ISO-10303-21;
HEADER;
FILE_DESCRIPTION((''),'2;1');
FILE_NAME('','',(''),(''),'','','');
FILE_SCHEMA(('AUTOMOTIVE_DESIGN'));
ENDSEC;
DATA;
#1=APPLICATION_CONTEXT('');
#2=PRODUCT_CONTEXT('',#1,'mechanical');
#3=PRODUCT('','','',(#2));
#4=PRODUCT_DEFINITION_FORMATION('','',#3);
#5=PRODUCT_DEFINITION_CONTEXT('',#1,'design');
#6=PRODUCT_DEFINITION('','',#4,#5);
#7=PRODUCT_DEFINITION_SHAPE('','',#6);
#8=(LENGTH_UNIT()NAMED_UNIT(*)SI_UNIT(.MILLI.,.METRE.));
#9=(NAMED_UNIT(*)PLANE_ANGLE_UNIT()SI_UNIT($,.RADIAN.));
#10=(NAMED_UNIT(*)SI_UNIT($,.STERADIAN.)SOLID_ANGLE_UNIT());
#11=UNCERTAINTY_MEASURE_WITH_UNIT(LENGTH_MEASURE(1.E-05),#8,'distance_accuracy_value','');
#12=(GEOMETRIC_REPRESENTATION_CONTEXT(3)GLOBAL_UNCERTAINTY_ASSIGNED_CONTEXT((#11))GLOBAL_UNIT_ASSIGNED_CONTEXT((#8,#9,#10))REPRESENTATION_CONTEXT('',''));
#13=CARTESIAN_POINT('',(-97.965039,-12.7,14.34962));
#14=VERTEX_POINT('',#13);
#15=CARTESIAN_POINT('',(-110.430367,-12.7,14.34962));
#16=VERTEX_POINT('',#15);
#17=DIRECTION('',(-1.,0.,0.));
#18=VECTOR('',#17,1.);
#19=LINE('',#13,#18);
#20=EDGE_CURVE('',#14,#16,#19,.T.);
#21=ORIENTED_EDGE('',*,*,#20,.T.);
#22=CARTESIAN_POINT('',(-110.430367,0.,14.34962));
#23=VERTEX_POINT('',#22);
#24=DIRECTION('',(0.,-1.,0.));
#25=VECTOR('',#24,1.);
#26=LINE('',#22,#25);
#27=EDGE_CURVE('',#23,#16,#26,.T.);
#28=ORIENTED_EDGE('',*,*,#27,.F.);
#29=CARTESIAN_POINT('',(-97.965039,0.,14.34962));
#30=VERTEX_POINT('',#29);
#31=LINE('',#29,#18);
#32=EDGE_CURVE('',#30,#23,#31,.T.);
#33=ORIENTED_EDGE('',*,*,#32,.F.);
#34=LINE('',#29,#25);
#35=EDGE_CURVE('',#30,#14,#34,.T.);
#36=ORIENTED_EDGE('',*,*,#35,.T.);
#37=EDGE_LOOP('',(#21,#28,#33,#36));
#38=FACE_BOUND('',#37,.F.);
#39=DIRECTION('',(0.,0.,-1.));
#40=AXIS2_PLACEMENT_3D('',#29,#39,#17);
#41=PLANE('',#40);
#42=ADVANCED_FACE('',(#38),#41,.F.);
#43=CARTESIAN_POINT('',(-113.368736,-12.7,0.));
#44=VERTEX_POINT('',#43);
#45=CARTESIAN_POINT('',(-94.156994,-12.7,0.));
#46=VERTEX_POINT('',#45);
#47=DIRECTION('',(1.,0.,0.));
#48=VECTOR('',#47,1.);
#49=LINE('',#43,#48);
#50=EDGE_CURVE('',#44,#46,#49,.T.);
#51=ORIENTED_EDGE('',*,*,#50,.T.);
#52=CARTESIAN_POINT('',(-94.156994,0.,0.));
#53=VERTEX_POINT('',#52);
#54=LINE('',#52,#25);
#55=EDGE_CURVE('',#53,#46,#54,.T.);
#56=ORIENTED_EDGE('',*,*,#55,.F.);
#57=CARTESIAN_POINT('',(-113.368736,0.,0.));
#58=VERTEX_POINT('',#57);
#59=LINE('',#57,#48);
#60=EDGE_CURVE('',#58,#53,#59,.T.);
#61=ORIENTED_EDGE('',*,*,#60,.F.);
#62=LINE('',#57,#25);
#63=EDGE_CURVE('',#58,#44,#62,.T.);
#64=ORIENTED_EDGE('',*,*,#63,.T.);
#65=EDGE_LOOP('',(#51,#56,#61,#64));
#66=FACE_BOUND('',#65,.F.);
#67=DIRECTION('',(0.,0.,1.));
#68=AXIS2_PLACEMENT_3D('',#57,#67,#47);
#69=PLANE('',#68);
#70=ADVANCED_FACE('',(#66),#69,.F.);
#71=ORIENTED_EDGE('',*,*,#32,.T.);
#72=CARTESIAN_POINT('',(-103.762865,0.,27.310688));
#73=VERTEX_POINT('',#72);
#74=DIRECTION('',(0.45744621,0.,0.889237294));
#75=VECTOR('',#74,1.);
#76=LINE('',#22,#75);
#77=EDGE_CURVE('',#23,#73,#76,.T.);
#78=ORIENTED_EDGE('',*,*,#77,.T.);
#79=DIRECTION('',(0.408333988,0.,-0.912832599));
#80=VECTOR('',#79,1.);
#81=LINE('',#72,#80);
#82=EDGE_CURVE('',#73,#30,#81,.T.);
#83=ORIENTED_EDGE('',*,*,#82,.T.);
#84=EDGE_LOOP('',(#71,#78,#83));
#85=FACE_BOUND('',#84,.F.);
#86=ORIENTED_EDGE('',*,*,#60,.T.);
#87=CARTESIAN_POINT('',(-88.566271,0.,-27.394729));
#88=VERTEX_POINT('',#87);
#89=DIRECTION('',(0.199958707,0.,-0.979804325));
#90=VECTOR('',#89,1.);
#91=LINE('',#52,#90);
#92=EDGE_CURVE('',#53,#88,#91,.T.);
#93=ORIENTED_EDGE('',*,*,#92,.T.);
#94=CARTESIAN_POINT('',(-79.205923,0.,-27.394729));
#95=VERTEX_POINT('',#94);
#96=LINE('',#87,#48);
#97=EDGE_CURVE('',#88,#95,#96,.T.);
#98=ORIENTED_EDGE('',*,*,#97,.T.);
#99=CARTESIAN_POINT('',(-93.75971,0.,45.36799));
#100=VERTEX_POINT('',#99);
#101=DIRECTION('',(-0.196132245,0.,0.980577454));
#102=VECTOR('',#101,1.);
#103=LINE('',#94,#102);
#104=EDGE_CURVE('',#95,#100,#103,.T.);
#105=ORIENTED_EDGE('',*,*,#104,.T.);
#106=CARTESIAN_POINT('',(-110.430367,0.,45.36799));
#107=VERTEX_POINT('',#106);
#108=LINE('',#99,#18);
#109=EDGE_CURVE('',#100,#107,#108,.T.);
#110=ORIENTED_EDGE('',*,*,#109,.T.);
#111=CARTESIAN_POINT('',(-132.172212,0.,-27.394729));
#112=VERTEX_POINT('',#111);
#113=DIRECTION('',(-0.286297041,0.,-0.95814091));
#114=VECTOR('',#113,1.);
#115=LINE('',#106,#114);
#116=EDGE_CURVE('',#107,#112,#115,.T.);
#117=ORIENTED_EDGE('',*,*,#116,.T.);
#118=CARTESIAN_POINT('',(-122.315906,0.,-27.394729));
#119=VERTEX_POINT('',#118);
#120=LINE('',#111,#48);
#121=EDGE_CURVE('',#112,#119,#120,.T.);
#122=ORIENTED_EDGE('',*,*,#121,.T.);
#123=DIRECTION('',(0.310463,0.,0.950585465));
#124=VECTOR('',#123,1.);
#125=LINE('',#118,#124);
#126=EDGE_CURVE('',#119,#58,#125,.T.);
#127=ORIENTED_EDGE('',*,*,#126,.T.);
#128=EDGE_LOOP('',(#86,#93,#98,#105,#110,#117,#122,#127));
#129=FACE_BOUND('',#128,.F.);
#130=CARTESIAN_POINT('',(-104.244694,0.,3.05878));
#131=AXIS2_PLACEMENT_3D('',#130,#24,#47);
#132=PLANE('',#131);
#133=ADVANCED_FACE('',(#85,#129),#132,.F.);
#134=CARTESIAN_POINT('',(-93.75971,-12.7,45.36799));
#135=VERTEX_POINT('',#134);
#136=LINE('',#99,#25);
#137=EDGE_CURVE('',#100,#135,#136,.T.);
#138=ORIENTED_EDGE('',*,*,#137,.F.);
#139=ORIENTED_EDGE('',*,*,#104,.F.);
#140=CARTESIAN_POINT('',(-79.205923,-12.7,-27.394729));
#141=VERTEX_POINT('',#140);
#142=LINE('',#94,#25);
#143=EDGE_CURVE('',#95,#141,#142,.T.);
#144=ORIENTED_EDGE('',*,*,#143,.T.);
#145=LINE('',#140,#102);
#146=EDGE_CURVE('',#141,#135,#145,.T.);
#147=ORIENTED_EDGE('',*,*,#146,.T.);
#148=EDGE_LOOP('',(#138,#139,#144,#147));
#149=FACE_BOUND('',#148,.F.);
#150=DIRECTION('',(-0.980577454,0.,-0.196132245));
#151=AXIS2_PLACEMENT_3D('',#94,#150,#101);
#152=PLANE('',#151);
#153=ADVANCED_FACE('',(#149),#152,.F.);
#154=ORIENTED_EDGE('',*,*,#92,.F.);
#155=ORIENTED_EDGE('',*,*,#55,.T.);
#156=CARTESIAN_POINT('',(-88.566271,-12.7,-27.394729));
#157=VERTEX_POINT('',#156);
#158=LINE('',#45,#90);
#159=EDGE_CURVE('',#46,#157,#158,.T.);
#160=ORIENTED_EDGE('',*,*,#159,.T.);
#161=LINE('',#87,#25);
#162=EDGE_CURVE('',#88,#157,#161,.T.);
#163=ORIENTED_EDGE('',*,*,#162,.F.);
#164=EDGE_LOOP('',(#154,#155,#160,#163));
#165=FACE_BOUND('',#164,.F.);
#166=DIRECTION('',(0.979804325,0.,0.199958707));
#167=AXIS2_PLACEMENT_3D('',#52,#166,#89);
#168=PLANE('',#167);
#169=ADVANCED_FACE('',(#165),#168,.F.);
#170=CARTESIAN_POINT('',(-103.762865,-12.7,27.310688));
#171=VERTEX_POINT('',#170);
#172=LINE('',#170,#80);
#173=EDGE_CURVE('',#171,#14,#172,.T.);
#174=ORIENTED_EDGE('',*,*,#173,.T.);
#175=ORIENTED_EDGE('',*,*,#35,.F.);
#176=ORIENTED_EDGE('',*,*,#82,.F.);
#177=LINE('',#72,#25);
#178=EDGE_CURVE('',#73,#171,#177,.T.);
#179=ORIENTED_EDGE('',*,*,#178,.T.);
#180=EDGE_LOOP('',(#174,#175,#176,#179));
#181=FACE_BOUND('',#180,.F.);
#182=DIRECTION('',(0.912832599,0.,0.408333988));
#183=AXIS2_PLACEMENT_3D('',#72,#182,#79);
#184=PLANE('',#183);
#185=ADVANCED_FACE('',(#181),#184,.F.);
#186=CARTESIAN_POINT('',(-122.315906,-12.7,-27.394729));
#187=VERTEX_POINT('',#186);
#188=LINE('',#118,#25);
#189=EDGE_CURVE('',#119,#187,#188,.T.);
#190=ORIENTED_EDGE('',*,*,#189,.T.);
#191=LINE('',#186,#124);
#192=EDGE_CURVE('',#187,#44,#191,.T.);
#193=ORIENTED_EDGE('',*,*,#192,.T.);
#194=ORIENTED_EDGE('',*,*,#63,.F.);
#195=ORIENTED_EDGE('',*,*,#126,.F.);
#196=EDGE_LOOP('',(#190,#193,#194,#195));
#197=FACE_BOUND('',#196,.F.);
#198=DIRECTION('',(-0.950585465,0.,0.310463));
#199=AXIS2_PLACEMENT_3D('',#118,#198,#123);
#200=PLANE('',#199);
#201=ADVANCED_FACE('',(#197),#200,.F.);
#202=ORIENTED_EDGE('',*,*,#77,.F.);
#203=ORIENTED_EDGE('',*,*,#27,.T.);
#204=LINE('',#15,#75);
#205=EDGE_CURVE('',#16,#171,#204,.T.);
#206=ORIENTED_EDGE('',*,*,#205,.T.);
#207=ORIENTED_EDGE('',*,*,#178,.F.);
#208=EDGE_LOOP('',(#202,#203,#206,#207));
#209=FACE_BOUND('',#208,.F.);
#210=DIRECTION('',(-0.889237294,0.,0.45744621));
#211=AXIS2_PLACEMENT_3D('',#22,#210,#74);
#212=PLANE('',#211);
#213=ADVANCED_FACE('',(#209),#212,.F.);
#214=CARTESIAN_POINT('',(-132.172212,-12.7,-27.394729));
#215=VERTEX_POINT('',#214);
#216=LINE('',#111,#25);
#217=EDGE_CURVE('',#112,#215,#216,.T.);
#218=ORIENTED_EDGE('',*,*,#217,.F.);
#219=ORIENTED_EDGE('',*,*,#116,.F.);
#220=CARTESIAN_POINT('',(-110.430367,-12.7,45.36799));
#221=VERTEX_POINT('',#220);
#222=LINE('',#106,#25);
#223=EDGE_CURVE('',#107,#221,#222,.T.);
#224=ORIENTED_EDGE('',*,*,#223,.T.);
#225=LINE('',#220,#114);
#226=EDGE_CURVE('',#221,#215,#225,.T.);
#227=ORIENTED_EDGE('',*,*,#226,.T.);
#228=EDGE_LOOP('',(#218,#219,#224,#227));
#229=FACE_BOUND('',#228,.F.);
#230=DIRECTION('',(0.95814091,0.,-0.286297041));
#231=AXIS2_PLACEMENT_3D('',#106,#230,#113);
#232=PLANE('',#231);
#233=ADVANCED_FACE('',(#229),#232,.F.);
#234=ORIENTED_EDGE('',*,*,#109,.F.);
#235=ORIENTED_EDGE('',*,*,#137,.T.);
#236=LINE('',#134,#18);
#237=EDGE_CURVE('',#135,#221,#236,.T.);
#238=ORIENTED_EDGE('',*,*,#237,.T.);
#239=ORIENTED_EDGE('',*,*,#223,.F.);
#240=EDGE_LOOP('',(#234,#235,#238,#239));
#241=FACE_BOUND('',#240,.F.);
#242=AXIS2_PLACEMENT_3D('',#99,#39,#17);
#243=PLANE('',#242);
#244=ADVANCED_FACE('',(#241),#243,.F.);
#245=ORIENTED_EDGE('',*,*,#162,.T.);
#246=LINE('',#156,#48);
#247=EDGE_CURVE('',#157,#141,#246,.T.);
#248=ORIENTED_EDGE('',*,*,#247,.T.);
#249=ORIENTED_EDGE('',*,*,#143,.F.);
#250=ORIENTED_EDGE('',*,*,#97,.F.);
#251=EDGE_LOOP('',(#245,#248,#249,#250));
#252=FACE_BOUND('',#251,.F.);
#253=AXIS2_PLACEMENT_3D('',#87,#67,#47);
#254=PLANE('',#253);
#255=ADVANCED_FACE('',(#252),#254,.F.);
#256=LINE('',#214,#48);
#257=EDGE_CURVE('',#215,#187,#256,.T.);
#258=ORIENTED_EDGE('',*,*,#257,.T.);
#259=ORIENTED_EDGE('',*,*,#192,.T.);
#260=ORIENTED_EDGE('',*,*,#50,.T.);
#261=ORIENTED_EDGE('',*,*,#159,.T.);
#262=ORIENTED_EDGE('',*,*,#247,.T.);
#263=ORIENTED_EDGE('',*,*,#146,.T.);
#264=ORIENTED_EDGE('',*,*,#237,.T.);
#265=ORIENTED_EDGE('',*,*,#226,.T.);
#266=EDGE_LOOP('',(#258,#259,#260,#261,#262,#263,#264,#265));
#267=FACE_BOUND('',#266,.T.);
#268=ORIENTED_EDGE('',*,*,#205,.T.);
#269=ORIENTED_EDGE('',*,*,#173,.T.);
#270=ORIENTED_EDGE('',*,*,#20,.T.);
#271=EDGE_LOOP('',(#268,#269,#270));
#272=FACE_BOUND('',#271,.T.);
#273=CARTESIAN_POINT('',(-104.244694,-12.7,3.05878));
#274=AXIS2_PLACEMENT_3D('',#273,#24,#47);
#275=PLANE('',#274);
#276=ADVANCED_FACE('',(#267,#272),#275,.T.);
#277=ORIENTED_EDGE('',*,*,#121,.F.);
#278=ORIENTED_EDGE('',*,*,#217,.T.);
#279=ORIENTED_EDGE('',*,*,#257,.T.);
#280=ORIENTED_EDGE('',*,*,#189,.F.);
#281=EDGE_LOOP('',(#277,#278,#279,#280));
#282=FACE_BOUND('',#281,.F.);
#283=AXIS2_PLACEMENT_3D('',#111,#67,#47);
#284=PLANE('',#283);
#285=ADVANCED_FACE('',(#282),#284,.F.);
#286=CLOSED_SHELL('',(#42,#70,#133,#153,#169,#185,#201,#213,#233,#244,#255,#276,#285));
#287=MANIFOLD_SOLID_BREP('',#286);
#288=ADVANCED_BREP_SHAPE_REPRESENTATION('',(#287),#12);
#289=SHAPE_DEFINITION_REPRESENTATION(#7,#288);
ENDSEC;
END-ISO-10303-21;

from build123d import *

# Parameters (mm, degrees)
F1_DEPTH = 12.7


with BuildPart() as f1:
    # F0 (on Front) → F1 (new body)
    with BuildSketch(Plane.XZ):
        Polygon((-110.430367, 45.36799), (-132.172212, -27.394729), (-122.315906, -27.394729), (-113.368736, 0), (-94.156994, 0), (-88.566271, -27.394729), (-79.205923, -27.394729), (-93.75971, 45.36799), align=None)
        Polygon((-110.430367, 14.34962), (-103.762865, 27.310688), (-97.965039, 14.34962), align=None, mode=Mode.SUBTRACT)
    extrude(amount=F1_DEPTH)


solid = f1.part
